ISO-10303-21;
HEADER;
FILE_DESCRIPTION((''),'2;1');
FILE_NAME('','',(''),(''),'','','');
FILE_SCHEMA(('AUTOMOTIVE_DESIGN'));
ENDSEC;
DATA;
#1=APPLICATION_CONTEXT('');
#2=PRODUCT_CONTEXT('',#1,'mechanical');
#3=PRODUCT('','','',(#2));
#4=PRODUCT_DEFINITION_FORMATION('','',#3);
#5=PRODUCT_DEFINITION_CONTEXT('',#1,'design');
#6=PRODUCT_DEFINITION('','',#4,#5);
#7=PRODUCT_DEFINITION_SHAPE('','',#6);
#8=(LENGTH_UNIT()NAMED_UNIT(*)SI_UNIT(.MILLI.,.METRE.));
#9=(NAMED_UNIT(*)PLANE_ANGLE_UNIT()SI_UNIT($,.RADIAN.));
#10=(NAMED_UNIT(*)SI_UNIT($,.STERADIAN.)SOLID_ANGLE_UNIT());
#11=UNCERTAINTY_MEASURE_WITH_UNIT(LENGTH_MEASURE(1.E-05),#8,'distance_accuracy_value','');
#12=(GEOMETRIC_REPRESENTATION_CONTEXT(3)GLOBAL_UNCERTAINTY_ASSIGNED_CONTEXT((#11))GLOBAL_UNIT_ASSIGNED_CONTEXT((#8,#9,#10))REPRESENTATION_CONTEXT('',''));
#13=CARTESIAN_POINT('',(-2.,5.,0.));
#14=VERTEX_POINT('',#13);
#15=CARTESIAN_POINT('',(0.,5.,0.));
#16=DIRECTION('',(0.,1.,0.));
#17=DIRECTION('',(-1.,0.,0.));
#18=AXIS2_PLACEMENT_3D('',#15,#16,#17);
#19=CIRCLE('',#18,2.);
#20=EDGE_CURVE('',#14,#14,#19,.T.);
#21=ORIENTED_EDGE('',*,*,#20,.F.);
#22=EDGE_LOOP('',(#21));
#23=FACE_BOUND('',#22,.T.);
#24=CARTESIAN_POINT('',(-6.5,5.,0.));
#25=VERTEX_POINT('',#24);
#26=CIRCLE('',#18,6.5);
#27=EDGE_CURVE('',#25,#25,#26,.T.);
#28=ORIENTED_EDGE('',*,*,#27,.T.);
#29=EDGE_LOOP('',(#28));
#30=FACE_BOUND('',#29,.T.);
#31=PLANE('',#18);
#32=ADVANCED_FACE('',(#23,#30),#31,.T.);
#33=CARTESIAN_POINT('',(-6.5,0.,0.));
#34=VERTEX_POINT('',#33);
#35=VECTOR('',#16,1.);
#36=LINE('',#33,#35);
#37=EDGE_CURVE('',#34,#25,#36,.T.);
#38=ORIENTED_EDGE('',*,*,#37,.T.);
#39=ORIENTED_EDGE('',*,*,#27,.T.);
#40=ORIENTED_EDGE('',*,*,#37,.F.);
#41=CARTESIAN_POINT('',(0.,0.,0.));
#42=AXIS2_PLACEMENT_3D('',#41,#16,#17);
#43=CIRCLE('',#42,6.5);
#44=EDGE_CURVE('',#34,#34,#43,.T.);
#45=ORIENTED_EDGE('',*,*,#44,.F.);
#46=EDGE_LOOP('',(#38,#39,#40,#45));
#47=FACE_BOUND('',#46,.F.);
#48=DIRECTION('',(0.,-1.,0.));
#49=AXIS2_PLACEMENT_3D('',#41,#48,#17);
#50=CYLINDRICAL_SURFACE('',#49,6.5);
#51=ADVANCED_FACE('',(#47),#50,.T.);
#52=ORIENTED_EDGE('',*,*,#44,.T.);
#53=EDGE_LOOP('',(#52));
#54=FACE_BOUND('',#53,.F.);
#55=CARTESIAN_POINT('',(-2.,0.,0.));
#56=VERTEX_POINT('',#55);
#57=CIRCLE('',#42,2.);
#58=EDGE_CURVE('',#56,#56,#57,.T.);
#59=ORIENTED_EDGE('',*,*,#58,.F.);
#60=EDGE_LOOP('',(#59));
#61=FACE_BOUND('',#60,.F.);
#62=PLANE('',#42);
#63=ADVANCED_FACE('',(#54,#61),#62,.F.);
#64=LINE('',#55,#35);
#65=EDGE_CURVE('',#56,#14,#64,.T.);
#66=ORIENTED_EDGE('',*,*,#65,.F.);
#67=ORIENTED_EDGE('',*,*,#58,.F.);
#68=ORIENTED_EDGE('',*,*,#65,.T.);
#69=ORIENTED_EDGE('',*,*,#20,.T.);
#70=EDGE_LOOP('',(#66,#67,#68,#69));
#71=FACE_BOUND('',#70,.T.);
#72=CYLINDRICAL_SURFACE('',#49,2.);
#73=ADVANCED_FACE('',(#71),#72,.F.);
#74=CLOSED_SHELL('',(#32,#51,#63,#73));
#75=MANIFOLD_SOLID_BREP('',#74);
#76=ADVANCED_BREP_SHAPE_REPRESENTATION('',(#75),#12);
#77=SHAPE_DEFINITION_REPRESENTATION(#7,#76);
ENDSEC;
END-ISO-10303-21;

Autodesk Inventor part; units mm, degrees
ref_plane "YZ Plane" through (0, 0, 0) normal (1, 0, 0) x (0, 1, 0)
ref_plane "XZ Plane" through (0, 0, 0) normal (0, 1, 0) x (-1, 0, 0)
ref_plane "XY Plane" through (0, 0, 0) normal (0, 0, 1) x (1, 0, 0)
sketch "Sketch1" plane through (0, 0, 0) normal (0, 1, 0) x (-1, 0, 0)
  circle A0 centre (0, 0) radius 2
  circle A1 centre (0, 0) radius 6.5
  dimension "d0" = 13
  dimension "d1" = 4
extrude "Extrusion1" add sketch "Sketch1" along normal blind 5
properties part number "bearing"
